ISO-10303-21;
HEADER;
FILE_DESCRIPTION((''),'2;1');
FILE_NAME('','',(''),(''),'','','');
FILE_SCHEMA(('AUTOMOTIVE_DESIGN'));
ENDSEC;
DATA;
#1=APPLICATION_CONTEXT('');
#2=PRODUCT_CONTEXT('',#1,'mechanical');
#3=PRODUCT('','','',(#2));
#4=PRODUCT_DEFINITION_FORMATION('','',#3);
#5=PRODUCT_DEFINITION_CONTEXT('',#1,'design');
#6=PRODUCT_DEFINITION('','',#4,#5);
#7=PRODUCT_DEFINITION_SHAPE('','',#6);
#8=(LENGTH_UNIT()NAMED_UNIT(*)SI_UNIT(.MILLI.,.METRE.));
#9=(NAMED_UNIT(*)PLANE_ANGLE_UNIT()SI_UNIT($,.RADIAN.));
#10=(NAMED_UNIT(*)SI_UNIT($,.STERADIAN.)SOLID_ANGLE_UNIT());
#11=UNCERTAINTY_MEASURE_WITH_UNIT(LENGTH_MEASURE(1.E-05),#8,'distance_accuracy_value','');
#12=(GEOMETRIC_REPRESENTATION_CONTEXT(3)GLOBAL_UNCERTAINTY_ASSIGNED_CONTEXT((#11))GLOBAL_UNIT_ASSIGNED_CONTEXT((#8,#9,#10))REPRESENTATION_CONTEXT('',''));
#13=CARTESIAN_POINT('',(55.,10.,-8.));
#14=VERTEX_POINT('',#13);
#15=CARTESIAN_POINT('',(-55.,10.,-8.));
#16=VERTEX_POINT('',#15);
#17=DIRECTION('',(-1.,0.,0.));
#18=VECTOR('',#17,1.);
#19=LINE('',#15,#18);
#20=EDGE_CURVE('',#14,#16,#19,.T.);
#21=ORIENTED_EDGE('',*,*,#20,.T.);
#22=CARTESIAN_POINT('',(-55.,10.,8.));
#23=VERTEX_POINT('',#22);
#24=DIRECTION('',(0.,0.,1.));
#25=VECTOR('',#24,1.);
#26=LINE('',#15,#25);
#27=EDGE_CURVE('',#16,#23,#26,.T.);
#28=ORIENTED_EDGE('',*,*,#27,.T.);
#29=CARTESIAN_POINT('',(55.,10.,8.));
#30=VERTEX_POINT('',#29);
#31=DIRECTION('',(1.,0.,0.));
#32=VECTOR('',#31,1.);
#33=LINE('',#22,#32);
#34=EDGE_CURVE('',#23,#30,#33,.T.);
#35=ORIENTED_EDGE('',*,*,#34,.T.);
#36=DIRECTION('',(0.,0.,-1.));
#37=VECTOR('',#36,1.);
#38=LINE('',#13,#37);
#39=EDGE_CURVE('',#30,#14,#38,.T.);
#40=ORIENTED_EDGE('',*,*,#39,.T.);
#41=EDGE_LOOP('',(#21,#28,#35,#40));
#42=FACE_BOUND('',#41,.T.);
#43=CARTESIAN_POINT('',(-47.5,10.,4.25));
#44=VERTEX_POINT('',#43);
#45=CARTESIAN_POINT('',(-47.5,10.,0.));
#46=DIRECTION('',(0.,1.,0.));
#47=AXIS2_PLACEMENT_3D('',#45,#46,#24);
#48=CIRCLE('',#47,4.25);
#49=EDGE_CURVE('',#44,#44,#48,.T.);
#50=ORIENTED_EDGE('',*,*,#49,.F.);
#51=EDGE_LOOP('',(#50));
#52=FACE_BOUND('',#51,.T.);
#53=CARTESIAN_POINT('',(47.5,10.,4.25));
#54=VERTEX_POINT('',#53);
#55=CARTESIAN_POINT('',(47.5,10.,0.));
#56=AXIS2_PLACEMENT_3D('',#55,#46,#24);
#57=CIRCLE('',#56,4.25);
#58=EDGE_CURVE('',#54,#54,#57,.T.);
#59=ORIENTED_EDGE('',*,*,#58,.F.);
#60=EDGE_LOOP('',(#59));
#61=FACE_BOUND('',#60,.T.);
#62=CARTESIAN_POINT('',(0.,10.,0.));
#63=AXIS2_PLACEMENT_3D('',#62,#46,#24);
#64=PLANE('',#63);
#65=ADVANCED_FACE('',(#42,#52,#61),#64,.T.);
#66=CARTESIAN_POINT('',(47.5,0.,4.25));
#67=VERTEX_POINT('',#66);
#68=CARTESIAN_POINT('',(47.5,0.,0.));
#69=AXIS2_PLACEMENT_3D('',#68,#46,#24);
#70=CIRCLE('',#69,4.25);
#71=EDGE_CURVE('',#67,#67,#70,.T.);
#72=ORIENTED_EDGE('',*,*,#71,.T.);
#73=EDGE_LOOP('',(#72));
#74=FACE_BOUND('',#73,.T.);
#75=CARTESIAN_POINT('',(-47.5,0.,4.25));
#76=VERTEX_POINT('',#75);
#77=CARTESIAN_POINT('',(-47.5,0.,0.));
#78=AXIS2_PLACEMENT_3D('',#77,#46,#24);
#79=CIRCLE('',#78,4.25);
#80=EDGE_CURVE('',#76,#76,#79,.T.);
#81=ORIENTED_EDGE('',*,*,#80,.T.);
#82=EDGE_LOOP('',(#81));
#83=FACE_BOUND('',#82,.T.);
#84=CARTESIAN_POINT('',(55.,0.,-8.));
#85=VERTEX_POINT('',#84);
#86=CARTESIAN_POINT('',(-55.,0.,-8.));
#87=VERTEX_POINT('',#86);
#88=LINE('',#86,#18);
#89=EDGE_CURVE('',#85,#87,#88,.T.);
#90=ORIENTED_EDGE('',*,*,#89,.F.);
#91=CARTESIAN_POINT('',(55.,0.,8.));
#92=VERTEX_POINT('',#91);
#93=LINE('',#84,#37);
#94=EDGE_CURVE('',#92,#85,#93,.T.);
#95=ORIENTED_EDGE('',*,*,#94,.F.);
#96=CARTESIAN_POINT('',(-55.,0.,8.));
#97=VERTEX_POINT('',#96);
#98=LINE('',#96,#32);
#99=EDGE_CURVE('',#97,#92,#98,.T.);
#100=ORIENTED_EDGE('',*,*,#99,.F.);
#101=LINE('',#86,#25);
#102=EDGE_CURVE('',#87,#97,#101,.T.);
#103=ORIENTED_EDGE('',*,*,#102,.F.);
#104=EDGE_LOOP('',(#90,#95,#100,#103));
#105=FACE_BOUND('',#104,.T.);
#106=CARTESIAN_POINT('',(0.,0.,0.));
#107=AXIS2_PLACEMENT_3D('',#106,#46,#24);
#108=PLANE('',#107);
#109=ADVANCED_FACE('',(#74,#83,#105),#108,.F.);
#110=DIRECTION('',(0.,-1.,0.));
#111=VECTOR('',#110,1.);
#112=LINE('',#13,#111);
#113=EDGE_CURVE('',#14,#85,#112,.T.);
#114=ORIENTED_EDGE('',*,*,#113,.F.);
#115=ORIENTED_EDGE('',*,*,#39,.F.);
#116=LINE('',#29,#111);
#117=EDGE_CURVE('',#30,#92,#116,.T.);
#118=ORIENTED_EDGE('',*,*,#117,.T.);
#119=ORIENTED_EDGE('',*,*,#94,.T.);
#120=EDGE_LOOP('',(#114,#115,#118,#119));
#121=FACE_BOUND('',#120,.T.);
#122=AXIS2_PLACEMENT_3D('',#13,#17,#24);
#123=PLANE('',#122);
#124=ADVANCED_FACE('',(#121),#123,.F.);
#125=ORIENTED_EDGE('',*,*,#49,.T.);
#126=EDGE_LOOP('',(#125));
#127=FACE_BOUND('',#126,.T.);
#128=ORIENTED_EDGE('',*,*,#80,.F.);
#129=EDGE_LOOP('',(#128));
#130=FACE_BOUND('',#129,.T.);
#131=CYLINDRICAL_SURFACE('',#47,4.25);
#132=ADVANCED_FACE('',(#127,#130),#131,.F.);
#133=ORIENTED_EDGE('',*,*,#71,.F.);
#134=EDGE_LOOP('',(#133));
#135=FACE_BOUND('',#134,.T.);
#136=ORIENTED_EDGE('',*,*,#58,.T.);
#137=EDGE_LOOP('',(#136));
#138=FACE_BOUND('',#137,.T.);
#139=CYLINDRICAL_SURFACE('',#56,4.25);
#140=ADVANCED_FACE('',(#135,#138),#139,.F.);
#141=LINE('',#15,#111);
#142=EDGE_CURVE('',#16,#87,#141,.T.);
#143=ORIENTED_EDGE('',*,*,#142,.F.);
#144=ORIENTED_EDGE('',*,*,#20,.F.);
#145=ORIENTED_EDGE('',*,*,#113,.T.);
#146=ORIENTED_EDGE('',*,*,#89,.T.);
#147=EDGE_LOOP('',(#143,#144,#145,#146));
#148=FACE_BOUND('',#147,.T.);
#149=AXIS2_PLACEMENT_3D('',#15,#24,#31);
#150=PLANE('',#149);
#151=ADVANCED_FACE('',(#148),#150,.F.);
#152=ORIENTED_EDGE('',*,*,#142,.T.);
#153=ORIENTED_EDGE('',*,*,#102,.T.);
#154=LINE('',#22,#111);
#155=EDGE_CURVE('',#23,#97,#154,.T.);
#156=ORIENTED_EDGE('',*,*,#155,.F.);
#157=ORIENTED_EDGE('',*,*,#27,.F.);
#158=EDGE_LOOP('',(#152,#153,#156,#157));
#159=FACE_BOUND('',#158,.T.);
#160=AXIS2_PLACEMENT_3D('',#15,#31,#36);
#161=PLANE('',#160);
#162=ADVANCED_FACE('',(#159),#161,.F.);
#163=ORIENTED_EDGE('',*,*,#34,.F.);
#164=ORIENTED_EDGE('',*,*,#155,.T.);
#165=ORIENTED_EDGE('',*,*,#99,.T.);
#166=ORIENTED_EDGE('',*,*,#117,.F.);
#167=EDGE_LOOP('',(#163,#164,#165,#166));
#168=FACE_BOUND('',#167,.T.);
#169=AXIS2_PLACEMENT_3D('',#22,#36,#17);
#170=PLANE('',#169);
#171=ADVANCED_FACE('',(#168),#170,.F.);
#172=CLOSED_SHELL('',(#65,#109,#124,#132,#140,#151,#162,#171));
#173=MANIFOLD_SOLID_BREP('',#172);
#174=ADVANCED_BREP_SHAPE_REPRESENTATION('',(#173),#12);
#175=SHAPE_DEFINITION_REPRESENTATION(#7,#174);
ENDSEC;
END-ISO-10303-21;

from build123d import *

# Parameters (mm, degrees)
SKETCH_1_W              = 110
SKETCH_1_H              = 16
EXTRUDE_1_DEPTH         = 10
HOLE_WIZARD_M10_1_D     = 8.5
HOLE_WIZARD_M10_1_DEPTH = 24.5
HOLE_WIZARD_M10_1_TIP   = 2.553657631


with BuildPart() as part:
    # 草图1 → 凸台-拉伸1 (new body)
    with BuildSketch(Plane(origin=(0, 0, 0), x_dir=(1, 0, 0), z_dir=(0, 1, 0))):
        Rectangle(SKETCH_1_W, SKETCH_1_H)
    extrude(amount=EXTRUDE_1_DEPTH)

    # M10 螺纹孔1
    with Locations(Plane(origin=(-47.5, 10, 0), x_dir=(0, 0, 1), z_dir=(0, 1, 0))):
        with Locations((0, 0), (0, 95)):
            Hole(HOLE_WIZARD_M10_1_D / 2, depth=HOLE_WIZARD_M10_1_DEPTH)
            with Locations((0, 0, -(HOLE_WIZARD_M10_1_DEPTH + HOLE_WIZARD_M10_1_TIP / 2))):  # 118° drill point
                Cone(0, HOLE_WIZARD_M10_1_D / 2, HOLE_WIZARD_M10_1_TIP, mode=Mode.SUBTRACT)


solid = part.part
